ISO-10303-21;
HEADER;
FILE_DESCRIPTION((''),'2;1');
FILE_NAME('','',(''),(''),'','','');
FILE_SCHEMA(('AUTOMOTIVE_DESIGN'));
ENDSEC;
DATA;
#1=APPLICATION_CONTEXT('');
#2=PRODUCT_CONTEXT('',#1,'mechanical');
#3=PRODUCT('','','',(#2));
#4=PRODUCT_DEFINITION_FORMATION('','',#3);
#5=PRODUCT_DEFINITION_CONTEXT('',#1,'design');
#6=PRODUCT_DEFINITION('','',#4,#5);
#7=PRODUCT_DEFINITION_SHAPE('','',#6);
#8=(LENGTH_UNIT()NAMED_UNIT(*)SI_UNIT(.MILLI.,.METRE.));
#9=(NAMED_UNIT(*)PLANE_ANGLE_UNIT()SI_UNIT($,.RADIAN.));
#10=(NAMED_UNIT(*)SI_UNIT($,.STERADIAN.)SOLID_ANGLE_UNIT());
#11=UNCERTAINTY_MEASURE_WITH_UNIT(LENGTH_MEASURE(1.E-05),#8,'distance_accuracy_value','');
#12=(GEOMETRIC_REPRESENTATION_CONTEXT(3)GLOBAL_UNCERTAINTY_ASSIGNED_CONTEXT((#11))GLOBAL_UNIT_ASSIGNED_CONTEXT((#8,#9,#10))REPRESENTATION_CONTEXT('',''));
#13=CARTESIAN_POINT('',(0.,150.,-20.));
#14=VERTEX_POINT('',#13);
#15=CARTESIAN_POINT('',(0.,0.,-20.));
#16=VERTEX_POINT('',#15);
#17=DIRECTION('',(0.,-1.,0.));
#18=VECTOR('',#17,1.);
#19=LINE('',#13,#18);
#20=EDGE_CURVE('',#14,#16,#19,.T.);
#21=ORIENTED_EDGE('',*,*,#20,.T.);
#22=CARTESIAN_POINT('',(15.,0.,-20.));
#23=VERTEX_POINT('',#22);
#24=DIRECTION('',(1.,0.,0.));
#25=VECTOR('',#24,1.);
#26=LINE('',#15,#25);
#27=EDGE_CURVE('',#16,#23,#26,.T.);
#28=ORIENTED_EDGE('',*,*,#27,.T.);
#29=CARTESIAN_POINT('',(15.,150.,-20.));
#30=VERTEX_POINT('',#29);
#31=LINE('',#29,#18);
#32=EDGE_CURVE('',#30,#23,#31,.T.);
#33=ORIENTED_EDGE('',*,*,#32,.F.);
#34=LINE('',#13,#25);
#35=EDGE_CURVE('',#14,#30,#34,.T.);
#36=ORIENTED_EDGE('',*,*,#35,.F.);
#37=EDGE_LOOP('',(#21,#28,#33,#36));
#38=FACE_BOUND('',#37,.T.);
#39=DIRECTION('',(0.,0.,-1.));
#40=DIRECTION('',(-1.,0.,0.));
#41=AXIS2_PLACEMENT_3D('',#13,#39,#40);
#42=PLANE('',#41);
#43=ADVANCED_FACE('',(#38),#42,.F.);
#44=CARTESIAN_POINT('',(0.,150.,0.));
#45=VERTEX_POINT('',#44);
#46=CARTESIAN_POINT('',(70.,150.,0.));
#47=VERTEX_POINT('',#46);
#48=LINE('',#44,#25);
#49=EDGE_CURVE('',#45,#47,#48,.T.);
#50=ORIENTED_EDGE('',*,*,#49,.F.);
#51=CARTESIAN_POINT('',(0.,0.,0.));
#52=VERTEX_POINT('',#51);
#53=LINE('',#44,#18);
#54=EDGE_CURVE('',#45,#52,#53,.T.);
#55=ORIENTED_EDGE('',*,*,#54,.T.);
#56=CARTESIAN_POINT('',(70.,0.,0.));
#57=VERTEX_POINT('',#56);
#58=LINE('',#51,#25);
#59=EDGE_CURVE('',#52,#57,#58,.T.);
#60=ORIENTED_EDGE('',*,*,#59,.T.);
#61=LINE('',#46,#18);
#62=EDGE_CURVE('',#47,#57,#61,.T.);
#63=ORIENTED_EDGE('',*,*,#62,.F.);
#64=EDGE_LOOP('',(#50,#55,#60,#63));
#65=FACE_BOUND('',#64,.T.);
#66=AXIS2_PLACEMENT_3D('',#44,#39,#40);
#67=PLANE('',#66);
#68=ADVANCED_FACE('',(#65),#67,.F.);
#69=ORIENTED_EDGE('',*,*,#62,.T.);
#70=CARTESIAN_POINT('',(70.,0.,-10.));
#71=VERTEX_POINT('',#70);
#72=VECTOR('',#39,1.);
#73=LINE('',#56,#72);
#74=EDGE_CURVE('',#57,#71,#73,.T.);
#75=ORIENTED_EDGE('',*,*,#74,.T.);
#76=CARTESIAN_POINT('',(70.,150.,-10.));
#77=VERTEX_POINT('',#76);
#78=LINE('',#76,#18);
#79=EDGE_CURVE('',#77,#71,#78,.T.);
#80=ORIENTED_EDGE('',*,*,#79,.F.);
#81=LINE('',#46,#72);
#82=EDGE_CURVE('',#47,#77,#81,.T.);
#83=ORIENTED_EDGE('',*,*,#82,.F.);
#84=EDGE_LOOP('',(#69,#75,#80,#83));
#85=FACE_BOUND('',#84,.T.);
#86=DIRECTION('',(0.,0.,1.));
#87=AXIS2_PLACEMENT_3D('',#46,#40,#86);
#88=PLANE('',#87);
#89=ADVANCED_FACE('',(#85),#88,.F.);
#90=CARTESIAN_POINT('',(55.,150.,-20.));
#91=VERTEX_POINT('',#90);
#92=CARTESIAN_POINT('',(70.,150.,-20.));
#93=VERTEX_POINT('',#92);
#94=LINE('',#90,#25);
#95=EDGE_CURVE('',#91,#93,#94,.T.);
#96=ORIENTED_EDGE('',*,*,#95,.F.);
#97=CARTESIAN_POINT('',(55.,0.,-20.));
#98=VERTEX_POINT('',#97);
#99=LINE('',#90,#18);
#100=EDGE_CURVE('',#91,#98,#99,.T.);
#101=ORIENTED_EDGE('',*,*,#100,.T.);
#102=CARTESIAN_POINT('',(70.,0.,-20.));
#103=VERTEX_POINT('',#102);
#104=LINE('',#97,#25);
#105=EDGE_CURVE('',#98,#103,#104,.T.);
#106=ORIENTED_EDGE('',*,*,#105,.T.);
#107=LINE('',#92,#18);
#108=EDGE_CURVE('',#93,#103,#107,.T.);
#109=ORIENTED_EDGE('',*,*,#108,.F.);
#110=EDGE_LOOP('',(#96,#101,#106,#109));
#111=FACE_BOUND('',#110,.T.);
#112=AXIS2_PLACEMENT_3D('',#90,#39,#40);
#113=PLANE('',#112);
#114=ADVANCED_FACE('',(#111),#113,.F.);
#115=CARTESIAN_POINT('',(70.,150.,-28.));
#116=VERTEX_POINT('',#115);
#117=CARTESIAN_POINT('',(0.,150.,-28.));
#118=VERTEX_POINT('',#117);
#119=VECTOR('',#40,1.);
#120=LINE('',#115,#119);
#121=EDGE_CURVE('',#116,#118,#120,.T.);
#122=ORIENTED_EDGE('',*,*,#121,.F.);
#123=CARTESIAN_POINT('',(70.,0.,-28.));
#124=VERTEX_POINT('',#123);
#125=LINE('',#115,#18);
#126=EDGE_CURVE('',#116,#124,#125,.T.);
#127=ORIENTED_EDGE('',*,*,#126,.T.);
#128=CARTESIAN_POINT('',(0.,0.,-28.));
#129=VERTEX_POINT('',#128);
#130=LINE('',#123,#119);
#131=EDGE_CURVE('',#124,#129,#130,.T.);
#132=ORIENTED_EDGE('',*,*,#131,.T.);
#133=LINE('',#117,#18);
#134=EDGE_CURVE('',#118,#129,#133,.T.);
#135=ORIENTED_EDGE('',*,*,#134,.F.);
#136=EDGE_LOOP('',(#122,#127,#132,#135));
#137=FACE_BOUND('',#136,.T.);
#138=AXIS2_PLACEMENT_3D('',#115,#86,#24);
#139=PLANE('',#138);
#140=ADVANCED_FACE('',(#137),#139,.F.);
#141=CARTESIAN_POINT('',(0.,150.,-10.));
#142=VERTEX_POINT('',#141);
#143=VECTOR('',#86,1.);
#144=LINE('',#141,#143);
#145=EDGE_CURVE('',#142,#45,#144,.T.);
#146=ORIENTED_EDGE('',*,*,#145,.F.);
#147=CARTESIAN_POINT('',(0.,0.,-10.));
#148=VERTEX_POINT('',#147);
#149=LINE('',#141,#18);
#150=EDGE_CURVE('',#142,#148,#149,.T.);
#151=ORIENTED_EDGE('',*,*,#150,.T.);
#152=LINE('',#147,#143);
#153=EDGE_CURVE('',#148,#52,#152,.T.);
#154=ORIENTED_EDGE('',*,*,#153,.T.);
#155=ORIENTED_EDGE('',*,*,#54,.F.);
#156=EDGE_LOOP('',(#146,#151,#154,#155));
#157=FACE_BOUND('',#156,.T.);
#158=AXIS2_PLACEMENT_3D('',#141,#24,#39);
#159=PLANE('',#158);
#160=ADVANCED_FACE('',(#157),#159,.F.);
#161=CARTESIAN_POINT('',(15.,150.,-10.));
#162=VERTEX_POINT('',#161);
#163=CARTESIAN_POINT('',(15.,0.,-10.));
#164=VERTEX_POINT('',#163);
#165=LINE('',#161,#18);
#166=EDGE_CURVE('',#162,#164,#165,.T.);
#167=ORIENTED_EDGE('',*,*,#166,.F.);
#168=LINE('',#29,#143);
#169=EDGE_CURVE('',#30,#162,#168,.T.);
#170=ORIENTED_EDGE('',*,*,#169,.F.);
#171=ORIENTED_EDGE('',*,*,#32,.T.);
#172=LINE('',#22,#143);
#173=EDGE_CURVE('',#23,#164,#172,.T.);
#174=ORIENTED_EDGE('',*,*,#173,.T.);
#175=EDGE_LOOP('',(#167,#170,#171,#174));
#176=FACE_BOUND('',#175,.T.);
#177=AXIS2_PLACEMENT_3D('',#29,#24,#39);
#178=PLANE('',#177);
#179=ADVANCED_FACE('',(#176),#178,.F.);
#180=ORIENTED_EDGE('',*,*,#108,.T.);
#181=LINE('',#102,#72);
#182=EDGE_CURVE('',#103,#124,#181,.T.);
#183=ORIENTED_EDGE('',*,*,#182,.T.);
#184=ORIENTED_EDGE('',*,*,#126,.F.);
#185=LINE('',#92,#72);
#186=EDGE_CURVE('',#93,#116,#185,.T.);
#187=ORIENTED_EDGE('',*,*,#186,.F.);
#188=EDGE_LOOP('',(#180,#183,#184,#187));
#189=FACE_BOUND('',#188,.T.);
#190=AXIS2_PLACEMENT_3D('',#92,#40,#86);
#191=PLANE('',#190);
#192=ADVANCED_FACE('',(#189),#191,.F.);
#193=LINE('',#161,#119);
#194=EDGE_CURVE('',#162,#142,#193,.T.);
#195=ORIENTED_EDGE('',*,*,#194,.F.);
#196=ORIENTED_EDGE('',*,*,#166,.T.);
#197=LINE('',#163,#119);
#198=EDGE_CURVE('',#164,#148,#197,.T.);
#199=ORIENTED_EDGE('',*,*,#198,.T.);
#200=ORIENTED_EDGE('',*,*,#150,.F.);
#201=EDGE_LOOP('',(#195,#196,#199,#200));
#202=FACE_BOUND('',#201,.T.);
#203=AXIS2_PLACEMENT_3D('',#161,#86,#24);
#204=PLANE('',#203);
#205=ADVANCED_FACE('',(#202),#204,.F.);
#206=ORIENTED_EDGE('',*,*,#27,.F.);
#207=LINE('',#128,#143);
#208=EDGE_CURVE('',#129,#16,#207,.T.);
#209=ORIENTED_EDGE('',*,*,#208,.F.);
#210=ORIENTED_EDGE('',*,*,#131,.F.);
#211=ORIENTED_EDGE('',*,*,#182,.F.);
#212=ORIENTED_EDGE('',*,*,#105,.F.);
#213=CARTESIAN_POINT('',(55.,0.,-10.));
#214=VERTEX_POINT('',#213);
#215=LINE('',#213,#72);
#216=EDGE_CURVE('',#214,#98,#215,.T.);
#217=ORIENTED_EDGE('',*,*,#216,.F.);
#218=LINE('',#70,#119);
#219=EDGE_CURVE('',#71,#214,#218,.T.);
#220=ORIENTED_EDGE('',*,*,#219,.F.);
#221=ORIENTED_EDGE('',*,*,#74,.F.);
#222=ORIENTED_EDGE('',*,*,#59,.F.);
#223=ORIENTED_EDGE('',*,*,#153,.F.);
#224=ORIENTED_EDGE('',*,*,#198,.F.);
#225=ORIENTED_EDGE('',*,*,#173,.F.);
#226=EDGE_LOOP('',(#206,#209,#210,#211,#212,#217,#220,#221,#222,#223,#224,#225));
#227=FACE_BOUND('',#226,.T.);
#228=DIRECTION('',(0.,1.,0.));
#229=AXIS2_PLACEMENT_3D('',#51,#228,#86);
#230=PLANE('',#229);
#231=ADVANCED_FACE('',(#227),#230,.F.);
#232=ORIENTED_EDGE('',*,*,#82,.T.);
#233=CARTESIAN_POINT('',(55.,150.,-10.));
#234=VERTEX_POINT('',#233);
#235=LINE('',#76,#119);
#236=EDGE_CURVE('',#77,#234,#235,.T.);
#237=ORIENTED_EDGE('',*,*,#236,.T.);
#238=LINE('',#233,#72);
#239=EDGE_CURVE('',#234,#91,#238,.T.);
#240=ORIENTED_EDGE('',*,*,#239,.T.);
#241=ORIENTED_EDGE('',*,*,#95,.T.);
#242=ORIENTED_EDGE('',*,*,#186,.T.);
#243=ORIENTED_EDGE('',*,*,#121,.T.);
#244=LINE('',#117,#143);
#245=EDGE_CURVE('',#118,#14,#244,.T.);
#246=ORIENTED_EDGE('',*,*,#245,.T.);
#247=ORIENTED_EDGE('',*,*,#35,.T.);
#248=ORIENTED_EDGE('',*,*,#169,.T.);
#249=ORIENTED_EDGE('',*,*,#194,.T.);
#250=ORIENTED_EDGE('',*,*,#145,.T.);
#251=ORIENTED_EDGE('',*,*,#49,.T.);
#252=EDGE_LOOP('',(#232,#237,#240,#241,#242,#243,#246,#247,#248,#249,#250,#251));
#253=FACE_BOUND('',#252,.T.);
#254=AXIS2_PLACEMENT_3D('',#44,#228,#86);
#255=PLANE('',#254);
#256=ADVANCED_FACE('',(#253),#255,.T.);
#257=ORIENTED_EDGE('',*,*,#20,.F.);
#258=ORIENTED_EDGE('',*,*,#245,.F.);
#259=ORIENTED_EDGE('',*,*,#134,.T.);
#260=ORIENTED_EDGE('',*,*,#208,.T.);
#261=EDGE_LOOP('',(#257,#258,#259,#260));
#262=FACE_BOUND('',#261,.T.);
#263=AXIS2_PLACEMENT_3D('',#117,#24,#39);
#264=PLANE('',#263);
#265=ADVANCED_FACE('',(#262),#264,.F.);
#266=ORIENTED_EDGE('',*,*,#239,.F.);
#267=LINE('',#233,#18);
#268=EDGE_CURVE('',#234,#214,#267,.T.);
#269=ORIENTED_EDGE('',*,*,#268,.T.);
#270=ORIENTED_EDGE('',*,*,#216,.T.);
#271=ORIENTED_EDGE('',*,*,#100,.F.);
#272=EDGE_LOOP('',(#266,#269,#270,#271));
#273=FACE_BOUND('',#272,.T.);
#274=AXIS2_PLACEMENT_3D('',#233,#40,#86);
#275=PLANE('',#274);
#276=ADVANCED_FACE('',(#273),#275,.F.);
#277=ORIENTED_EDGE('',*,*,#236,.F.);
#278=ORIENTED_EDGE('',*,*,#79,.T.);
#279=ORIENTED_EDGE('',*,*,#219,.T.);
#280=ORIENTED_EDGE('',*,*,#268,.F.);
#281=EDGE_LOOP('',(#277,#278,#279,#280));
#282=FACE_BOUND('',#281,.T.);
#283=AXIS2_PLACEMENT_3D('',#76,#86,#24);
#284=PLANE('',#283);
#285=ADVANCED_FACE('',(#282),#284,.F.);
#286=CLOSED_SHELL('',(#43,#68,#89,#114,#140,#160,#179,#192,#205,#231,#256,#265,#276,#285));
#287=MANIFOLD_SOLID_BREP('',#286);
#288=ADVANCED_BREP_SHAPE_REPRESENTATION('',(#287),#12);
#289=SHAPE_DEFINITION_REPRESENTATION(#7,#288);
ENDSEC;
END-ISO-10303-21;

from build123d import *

# Parameters (mm, degrees)
EXTRUDE_1_DEPTH = 150


with BuildPart() as part:
    # 草图2 → 凸台-拉伸1 (new body)
    with BuildSketch(Plane(origin=(0, 0, 0), x_dir=(1, 0, 0), z_dir=(0, 1, 0))):
        Polygon((0, 0), (70, 0), (70, 10), (55, 10), (55, 20), (70, 20), (70, 28), (0, 28), (0, 20), (15, 20), (15, 10), (0, 10), align=None)
    extrude(amount=EXTRUDE_1_DEPTH)


solid = part.part
